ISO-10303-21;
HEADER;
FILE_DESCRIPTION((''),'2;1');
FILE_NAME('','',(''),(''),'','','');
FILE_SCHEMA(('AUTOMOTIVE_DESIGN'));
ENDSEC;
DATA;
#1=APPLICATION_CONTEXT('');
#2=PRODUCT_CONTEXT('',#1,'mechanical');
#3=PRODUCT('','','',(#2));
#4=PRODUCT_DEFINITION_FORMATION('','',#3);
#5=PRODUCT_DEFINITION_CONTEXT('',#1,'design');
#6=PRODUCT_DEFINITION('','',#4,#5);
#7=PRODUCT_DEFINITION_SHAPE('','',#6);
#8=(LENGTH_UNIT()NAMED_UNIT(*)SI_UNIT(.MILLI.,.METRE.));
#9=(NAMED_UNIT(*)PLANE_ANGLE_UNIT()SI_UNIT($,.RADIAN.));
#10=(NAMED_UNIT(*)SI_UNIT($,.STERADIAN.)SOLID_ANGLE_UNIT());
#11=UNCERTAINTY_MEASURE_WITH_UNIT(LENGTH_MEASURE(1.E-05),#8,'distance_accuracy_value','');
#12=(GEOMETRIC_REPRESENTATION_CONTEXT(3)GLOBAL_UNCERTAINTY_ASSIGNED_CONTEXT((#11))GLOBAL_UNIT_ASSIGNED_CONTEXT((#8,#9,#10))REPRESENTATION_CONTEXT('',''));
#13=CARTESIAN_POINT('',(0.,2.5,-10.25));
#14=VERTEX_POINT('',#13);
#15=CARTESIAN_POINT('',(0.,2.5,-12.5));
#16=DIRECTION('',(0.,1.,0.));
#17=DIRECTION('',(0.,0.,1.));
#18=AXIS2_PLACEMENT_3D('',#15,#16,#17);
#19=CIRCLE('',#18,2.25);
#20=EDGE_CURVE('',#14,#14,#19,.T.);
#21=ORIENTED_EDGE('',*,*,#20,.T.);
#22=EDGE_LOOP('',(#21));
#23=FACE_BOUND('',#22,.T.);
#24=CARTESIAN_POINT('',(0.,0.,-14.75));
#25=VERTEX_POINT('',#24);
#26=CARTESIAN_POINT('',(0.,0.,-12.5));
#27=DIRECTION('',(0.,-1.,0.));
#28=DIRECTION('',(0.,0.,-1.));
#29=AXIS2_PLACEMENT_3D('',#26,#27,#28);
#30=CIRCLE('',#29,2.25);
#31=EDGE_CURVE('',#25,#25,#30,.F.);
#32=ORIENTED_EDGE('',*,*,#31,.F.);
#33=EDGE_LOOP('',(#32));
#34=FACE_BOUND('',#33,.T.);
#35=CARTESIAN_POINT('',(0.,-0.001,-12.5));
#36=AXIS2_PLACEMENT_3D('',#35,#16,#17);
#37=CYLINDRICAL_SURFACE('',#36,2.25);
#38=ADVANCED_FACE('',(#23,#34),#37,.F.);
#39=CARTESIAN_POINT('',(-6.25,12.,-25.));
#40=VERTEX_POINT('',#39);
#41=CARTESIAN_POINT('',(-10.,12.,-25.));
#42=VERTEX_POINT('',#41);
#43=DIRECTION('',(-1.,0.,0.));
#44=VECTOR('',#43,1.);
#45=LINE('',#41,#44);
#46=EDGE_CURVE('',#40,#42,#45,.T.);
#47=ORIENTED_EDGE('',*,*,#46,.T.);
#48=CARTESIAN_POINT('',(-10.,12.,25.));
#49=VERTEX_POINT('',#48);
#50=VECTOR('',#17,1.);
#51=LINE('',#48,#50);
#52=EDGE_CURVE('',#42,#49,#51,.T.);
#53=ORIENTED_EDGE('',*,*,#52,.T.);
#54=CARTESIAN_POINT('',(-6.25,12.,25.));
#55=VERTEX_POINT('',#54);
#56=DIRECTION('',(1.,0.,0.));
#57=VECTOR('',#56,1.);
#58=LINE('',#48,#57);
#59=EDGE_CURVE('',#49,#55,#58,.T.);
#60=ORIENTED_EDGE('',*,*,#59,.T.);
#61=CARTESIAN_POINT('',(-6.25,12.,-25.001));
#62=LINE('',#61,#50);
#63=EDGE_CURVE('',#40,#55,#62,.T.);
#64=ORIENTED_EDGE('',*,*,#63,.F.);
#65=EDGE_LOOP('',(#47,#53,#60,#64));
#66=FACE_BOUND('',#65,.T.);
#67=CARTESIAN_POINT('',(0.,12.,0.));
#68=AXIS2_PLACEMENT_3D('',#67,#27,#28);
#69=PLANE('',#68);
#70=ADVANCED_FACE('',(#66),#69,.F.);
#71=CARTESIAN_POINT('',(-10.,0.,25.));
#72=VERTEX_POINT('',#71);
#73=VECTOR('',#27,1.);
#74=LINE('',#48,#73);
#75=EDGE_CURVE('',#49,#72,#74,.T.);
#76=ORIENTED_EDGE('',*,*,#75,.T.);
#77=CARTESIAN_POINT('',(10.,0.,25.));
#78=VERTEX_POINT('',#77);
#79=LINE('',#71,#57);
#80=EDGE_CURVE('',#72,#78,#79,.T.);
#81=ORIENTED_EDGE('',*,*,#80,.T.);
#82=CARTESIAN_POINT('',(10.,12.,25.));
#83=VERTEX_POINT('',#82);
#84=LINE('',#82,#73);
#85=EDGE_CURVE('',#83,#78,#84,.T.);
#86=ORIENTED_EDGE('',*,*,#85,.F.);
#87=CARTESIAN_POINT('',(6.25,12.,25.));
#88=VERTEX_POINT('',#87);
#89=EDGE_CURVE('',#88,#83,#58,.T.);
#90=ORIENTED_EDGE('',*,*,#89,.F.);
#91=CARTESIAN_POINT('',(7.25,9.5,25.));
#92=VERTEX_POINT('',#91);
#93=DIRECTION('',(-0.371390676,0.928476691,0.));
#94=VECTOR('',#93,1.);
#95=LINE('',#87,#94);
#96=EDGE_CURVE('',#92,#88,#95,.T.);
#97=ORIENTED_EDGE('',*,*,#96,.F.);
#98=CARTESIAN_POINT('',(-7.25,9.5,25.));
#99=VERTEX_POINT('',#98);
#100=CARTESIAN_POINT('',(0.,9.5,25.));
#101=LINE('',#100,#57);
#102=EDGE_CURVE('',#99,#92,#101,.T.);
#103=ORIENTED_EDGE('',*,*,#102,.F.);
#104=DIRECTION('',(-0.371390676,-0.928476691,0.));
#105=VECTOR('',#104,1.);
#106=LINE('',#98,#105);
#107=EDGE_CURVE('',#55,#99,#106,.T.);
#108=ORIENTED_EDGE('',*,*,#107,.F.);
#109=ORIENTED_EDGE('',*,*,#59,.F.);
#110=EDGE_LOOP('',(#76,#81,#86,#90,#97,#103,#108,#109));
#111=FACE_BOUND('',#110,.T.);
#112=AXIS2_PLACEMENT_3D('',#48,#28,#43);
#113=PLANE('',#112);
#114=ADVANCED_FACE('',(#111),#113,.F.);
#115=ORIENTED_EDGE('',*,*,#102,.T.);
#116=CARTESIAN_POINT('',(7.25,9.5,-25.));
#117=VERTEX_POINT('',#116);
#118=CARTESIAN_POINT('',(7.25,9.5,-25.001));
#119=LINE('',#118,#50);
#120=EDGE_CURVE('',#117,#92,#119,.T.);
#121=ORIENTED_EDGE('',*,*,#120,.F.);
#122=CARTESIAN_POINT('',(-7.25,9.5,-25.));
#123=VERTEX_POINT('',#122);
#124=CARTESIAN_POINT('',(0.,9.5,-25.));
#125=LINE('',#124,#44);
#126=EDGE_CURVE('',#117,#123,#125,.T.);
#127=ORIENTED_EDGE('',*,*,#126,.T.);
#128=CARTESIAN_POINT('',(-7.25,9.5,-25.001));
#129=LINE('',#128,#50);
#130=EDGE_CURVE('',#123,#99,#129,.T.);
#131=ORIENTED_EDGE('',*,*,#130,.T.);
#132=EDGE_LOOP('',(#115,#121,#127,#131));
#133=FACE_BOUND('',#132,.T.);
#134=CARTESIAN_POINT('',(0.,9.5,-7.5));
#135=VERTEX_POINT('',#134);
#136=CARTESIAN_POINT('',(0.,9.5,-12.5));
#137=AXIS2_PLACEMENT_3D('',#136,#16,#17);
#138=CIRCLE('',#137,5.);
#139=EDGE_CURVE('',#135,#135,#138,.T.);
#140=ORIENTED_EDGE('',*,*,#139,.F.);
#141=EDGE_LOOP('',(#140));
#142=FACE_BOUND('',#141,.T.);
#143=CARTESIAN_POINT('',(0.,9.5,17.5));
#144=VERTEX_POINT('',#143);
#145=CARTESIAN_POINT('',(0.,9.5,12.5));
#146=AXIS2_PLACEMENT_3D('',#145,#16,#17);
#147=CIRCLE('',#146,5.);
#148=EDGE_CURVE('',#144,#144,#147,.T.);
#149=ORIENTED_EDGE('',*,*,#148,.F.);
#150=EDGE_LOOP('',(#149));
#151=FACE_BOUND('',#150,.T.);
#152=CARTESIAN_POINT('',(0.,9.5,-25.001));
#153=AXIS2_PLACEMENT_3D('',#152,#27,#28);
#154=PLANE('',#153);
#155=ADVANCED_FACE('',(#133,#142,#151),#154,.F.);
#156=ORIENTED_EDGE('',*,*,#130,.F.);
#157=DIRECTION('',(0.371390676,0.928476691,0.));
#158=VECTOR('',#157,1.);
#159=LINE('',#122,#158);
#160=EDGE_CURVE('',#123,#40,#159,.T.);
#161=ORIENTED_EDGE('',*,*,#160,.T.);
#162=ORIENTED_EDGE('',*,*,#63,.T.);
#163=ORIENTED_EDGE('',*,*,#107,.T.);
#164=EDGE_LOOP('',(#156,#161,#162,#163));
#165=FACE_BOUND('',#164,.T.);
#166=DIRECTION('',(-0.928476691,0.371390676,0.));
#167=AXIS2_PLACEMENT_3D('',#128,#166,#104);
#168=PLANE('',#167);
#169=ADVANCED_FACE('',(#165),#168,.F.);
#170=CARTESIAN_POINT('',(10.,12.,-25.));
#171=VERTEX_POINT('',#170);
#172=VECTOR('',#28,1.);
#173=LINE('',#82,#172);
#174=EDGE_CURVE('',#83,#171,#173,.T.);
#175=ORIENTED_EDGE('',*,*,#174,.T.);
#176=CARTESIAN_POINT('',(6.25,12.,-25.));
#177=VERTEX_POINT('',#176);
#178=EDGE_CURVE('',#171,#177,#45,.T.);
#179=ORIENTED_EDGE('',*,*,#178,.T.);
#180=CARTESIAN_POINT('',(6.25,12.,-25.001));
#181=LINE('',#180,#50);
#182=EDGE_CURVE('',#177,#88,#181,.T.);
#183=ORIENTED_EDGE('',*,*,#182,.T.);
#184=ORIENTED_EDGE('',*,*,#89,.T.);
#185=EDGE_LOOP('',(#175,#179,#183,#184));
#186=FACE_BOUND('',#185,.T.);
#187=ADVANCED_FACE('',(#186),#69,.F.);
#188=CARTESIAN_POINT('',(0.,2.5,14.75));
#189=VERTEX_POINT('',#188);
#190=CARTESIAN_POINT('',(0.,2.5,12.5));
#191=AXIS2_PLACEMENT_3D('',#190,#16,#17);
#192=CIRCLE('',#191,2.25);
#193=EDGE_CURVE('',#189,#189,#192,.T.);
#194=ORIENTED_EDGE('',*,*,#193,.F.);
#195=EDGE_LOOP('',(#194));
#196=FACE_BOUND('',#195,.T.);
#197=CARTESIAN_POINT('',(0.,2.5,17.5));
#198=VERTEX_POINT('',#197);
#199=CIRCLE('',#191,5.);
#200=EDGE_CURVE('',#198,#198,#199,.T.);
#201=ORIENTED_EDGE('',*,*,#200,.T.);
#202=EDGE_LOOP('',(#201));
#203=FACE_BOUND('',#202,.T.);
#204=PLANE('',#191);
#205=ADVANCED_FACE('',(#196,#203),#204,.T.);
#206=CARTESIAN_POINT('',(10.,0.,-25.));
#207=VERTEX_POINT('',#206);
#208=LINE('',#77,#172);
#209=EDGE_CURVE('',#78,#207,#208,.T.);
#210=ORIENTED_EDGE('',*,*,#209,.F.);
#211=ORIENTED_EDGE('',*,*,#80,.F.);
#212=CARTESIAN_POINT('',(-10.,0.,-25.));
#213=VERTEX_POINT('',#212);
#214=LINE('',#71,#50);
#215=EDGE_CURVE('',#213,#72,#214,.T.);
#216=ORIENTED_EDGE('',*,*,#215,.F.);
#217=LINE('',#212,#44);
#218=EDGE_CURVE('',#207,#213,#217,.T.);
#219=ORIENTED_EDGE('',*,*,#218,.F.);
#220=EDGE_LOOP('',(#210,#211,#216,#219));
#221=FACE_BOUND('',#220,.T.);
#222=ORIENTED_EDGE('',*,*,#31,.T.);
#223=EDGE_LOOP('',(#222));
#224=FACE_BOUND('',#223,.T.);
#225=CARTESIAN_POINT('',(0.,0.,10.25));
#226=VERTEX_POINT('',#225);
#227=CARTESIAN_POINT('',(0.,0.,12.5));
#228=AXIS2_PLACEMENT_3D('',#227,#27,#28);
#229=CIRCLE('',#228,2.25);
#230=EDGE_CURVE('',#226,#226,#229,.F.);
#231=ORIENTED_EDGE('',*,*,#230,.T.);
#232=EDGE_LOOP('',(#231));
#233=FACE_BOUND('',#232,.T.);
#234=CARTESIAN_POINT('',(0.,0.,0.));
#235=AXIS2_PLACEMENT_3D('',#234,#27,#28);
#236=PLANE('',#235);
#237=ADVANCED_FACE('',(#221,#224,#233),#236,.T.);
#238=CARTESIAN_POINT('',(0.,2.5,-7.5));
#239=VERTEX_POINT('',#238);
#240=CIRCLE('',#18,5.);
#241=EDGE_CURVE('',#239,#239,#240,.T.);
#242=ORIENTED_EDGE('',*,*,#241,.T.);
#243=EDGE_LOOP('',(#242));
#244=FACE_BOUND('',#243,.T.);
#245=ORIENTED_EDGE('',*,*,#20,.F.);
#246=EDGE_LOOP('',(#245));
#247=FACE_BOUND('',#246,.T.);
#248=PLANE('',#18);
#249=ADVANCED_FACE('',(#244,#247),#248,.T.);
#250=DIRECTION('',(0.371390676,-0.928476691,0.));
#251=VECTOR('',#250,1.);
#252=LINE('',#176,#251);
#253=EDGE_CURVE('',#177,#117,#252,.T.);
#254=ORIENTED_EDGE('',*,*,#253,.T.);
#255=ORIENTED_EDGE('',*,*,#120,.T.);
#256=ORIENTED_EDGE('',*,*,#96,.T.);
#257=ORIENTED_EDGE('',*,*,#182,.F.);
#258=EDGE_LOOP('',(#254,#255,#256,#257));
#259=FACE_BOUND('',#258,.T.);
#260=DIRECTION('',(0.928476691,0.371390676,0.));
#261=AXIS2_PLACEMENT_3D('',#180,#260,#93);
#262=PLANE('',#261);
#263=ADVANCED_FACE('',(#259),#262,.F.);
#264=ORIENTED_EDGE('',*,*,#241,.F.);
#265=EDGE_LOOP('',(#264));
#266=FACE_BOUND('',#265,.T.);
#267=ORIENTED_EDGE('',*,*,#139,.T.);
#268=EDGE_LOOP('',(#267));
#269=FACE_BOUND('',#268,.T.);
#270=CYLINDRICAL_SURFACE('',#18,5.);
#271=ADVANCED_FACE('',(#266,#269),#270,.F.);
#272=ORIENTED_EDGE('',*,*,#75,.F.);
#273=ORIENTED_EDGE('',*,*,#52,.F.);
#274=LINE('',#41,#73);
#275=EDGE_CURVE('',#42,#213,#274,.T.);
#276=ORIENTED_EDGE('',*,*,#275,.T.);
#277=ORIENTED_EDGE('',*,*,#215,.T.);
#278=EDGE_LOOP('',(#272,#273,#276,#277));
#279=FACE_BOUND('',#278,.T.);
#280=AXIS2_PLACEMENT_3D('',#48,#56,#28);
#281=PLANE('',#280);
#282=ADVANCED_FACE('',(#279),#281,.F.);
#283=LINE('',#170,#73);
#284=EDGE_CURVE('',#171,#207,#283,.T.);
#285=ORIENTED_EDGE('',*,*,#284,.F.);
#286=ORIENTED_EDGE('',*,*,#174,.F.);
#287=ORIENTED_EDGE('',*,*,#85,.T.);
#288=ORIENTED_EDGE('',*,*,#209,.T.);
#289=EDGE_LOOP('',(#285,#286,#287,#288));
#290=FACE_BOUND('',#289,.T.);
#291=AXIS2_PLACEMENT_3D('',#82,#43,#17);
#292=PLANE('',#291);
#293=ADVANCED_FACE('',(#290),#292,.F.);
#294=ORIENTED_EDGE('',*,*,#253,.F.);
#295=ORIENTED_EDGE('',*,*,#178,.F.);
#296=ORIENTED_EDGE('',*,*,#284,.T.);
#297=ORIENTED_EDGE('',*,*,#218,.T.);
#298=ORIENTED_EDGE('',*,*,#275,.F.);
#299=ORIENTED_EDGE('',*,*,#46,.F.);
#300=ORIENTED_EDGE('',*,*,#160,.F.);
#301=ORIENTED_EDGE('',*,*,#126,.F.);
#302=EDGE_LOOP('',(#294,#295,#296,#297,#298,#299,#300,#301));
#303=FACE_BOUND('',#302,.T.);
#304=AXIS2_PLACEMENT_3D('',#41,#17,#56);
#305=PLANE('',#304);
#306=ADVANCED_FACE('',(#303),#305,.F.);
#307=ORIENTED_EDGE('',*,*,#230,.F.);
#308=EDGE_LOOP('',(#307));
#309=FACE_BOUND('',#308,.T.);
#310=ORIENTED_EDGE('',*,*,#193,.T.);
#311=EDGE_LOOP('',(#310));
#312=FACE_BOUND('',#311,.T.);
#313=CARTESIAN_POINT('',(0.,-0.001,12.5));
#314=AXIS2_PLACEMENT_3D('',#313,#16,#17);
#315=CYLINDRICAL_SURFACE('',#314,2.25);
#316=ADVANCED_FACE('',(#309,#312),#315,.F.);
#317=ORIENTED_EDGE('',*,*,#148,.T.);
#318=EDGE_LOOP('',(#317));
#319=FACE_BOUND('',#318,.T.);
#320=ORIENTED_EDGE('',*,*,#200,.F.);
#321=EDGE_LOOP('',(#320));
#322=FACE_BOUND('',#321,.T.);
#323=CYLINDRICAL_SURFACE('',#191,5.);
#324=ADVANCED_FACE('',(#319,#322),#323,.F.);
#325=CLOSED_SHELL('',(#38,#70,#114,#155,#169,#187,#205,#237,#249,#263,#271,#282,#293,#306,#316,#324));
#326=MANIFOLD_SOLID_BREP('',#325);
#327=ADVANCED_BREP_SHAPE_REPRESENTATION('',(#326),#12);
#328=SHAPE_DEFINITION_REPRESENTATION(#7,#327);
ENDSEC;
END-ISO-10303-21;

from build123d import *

# Parameters (mm, degrees)
SKETCH1_W           = 20
SKETCH1_H           = 50
BOSS_EXTRUDE1_DEPTH = 12
CUT_EXTRUDE1_REACH  = 54.383
SKETCH3_R           = 5
CUT_EXTRUDE3_DEPTH  = 7
CUT_EXTRUDE4_REACH  = 30.553
SKETCH4_R           = 2.25


with BuildPart() as part:
    # Sketch1 → Boss-Extrude1 (new body)
    with BuildSketch(Plane(origin=(0, 0, 0), x_dir=(1, 0, 0), z_dir=(0, 1, 0))):
        Rectangle(SKETCH1_W, SKETCH1_H)
    extrude(amount=BOSS_EXTRUDE1_DEPTH)

    # Sketch2 → Cut-Extrude1 (cut, up to next)
    with BuildSketch(Plane.XY.offset(25), mode=Mode.PRIVATE) as cut_extrude1_sk1:
        Polygon((0, 9.5), (7.25, 9.5), (6.25, 12), (0, 12), (-6.25, 12), (-7.25, 9.5), align=None)
    cut_extrude1_tool1 = extrude(cut_extrude1_sk1.sketch, amount=-CUT_EXTRUDE1_REACH, mode=Mode.PRIVATE) & part.part
    add(cut_extrude1_tool1.solids().sort_by_distance((0, 10.719136, 25))[0], mode=Mode.SUBTRACT)

    # Sketch3 → Cut-Extrude3 (cut)
    with BuildSketch(Plane(origin=(0, 9.5, 0), x_dir=(1, 0, 0), z_dir=(0, 1, 0))):
        with Locations(Location((0, 12.5, 0), (0, 0, 270))):
            Circle(SKETCH3_R)
        with Locations(Location((0, -12.5, 0), (0, 0, 270))):
            Circle(SKETCH3_R)
    extrude(amount=-CUT_EXTRUDE3_DEPTH, mode=Mode.SUBTRACT)

    # Sketch4 → Cut-Extrude4 (cut, up to next)
    with BuildSketch(Plane(origin=(0, 2.5, 0), x_dir=(1, 0, 0), z_dir=(0, 1, 0)), mode=Mode.PRIVATE) as cut_extrude4_sk1:
        with Locations(Location((0, 12.5, 0), (0, 0, 270))):
            Circle(SKETCH4_R)
    cut_extrude4_tool1 = extrude(cut_extrude4_sk1.sketch, amount=-CUT_EXTRUDE4_REACH, mode=Mode.PRIVATE) & part.part
    # Sketch4 → Cut-Extrude4 (cut, up to next)
    with BuildSketch(Plane(origin=(0, 2.5, 0), x_dir=(1, 0, 0), z_dir=(0, 1, 0)), mode=Mode.PRIVATE) as cut_extrude4_sk2:
        with Locations(Location((0, -12.5, 0), (0, 0, 270))):
            Circle(SKETCH4_R)
    cut_extrude4_tool2 = extrude(cut_extrude4_sk2.sketch, amount=-CUT_EXTRUDE4_REACH, mode=Mode.PRIVATE) & part.part
    add(cut_extrude4_tool1.solids().sort_by_distance((0, 2.5, -12.5))[0], mode=Mode.SUBTRACT)
    add(cut_extrude4_tool2.solids().sort_by_distance((0, 2.5, 12.5))[0], mode=Mode.SUBTRACT)


solid = part.part
